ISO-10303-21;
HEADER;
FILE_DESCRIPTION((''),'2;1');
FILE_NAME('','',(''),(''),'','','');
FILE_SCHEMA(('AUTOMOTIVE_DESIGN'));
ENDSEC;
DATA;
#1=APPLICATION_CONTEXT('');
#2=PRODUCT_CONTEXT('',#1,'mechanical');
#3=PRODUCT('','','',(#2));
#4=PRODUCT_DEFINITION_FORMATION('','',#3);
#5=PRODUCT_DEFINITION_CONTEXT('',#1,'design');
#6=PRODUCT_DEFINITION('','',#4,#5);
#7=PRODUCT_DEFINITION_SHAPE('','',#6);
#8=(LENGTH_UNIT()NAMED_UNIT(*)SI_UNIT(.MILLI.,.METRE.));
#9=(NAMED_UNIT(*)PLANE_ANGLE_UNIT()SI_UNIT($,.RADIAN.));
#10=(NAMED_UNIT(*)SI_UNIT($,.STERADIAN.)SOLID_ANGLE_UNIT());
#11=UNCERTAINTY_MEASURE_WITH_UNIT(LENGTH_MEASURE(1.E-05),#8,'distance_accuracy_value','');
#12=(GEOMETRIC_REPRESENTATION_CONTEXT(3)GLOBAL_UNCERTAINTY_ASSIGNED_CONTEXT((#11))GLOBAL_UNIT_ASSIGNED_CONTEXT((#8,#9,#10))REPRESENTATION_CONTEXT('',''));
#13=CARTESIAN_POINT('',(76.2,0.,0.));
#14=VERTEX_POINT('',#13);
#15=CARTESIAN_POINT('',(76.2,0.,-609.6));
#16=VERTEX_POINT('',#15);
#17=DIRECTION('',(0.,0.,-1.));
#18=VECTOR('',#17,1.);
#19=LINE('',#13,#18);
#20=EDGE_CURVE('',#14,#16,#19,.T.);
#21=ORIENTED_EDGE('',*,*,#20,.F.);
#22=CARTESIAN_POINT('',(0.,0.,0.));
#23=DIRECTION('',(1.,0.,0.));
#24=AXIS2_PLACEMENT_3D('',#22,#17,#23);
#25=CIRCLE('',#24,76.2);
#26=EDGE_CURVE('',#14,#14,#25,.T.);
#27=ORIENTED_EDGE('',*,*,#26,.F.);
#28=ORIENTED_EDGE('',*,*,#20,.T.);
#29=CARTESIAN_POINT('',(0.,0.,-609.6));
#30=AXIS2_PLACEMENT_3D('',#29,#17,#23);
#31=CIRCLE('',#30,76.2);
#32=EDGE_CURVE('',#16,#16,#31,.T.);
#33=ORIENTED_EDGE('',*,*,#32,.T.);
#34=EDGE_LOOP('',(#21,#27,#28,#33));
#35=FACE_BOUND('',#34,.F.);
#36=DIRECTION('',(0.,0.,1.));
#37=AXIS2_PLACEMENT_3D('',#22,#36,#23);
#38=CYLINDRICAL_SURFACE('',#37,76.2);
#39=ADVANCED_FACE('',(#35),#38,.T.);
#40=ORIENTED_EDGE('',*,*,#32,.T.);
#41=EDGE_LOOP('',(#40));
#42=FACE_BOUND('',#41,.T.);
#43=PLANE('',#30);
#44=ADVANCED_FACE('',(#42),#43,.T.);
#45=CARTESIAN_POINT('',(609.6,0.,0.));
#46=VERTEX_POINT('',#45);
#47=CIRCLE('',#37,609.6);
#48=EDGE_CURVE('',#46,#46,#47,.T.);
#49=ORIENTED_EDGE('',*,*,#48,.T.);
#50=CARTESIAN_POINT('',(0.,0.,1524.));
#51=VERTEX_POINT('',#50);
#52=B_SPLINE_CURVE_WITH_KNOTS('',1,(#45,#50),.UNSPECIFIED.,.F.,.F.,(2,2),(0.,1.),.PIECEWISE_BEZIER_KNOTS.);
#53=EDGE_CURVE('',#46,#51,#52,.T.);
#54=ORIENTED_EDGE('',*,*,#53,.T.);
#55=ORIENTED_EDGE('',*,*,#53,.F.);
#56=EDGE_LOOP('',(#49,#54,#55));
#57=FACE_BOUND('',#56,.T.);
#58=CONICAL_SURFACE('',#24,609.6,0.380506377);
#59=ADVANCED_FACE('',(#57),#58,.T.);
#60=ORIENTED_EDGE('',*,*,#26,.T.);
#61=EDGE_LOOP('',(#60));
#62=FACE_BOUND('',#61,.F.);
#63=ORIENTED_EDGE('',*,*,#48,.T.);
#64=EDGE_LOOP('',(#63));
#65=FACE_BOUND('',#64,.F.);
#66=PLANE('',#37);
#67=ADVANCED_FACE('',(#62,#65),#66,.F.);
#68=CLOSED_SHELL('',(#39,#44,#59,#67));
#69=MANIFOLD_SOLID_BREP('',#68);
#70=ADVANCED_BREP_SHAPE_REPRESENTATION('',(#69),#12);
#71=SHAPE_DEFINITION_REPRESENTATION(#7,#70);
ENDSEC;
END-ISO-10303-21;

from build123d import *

# Parameters (mm, degrees)
F0_R     = 609.6
F3_R     = 76.2
F4_DEPTH = 609.6


with BuildPart() as f2:
    # F0 (on Top) → F2 section 0
    with BuildSketch(Plane.XY, mode=Mode.PRIVATE) as f2_s0:
        Circle(F0_R)
    loft([f2_s0.sketch, Vertex(0, 0, 1524)])

    # F3 (on face) → F4 (join)
    with BuildSketch(Plane(origin=(0, 0, 0), x_dir=(1, 0, 0), z_dir=(0, 0, -1))):
        Circle(F3_R)
    extrude(amount=F4_DEPTH)


solid = f2.part
